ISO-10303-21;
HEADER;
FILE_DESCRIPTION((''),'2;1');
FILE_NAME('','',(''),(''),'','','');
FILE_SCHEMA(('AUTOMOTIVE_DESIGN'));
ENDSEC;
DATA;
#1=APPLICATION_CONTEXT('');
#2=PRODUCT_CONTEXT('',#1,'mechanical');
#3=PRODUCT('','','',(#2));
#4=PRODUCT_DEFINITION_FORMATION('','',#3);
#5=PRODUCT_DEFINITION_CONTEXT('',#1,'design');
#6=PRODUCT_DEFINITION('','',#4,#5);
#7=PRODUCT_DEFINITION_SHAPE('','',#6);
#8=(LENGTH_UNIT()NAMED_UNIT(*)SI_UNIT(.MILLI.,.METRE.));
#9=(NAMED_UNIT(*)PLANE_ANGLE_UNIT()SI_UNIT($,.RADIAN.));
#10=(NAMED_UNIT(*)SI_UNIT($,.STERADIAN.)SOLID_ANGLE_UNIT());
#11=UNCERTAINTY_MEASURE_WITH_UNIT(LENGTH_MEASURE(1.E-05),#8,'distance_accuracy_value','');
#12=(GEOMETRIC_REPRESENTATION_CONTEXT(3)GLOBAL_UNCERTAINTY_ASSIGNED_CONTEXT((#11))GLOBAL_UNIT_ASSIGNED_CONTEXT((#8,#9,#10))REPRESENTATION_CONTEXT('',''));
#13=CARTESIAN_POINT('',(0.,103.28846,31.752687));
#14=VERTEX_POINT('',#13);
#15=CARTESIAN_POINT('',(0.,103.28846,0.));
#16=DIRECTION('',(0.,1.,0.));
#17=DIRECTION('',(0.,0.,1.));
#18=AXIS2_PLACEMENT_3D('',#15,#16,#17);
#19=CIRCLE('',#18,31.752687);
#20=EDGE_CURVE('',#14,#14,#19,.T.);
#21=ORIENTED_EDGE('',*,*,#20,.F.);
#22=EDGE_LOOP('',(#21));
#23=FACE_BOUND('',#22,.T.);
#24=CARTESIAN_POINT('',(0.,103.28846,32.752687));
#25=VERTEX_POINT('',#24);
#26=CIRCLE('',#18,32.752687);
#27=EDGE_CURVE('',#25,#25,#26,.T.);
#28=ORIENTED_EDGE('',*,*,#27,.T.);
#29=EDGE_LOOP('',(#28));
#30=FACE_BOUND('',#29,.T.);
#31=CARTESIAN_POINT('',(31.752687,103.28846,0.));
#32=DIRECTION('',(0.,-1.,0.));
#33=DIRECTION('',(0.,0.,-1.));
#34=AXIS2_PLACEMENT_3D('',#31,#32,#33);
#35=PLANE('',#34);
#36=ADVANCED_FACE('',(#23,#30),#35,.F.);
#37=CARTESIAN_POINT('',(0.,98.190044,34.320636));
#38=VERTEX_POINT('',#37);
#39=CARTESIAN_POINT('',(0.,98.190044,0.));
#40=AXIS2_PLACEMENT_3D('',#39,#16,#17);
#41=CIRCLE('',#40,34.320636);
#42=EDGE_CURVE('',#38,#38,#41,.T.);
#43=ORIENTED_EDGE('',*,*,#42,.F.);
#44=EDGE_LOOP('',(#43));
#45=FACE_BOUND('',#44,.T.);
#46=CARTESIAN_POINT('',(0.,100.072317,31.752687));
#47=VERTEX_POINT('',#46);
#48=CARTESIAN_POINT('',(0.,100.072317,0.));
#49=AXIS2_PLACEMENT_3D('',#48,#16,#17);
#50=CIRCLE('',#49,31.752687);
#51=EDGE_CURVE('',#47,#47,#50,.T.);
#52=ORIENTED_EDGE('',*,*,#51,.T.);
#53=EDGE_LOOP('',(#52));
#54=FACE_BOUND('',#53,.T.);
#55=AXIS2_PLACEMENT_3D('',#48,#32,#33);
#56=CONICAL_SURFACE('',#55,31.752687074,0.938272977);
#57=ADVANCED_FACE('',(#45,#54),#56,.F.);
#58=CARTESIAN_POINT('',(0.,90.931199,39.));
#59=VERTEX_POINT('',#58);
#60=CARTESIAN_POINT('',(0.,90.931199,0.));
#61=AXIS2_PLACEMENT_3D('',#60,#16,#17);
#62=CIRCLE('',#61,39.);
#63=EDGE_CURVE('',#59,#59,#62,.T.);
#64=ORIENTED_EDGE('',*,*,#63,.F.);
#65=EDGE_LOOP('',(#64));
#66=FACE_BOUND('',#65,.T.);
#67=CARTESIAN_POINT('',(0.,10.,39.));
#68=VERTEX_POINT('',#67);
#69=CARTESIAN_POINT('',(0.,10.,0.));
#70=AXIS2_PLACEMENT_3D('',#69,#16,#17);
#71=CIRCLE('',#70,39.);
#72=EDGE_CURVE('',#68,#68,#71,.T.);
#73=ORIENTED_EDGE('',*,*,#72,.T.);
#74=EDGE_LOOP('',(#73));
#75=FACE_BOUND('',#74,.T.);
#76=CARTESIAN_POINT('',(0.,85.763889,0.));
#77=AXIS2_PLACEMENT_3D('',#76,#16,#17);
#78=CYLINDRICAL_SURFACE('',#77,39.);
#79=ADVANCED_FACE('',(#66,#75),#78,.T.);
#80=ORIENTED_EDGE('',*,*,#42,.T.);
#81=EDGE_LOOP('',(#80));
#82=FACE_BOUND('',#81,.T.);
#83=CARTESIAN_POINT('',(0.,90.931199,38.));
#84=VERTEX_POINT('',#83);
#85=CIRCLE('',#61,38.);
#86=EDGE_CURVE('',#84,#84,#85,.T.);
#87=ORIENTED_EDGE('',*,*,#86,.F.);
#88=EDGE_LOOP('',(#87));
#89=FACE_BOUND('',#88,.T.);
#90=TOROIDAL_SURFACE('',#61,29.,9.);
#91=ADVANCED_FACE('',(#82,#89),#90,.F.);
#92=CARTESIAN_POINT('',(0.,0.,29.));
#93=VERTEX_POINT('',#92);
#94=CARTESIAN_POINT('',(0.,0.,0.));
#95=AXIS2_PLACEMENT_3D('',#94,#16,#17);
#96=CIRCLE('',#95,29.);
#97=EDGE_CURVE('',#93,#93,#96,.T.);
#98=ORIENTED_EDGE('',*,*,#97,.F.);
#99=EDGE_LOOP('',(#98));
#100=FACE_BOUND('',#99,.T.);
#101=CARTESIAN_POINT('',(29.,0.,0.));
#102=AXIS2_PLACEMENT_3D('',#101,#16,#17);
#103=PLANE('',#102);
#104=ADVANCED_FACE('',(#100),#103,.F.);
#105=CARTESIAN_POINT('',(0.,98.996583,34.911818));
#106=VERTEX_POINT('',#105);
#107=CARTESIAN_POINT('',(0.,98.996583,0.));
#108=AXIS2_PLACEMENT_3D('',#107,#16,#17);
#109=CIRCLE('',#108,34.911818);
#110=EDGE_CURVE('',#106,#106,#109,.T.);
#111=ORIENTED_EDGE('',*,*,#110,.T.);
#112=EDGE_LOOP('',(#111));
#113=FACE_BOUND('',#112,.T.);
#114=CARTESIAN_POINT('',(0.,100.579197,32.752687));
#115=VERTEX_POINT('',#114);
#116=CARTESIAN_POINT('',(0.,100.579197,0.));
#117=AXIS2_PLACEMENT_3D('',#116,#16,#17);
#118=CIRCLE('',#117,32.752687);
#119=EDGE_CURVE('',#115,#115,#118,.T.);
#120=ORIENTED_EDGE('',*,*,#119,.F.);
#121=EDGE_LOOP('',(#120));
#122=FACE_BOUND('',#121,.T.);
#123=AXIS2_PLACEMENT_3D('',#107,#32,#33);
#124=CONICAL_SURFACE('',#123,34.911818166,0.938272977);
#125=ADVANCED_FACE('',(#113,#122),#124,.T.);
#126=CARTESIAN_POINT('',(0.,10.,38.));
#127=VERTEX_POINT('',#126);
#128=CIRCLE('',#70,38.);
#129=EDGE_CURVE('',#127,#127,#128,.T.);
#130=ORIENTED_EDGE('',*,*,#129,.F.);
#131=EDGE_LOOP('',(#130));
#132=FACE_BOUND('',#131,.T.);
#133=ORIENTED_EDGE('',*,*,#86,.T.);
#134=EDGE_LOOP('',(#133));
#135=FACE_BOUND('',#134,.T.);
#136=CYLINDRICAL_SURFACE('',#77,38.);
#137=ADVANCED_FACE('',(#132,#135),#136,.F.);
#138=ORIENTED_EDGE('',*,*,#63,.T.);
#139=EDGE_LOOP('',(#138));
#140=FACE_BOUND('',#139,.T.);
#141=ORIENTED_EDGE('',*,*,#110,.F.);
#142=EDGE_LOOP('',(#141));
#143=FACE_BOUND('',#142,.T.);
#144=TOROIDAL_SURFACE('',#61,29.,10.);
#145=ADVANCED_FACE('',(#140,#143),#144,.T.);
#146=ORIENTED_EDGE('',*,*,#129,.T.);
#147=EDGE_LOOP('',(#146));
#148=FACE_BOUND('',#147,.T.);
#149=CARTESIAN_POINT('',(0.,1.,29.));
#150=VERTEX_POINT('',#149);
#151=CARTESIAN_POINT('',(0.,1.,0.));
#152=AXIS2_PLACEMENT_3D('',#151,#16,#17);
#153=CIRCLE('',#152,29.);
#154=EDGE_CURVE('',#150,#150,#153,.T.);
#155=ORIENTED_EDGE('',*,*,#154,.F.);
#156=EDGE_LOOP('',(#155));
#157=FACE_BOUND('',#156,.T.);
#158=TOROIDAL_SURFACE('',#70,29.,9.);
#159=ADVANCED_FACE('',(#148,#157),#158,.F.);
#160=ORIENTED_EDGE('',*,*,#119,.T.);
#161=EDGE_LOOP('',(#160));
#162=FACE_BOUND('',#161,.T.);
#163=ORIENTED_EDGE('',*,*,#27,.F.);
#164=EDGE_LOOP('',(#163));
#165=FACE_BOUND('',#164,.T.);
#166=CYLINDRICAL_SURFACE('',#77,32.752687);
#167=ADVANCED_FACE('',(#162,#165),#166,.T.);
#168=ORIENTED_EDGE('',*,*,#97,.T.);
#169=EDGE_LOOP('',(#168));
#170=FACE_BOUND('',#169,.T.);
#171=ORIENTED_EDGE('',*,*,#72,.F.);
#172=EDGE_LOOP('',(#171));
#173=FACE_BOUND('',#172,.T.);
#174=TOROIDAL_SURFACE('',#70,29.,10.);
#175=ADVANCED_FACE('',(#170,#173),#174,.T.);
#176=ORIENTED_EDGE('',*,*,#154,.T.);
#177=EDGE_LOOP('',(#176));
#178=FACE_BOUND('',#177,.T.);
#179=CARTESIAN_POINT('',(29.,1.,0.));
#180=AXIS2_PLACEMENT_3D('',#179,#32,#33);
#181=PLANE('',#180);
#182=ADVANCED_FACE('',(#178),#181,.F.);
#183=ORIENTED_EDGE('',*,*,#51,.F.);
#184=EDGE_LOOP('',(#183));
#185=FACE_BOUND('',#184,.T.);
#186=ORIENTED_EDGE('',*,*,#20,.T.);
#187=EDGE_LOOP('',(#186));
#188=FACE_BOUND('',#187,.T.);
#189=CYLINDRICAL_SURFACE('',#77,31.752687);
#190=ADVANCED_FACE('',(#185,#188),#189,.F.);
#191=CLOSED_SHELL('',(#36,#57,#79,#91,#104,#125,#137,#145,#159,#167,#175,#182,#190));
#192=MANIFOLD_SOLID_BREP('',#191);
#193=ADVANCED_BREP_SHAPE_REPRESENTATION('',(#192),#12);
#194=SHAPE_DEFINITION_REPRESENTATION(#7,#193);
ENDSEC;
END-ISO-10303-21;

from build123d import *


with BuildPart() as part:
    # Sketch1 → Revolve1 (revolve)
    with BuildSketch(Plane.XY, mode=Mode.PRIVATE) as revolve1_sk:
        with BuildLine():
            Line((39, 90.931199499), (39, 10))
            ThreePointArc((39, 10), (36.071067812, 2.928932188), (29, 0))
            Line((29, 0), (0, 0))
            Line((0, 0), (0, 1))
            Line((0, 1), (29, 1))
            ThreePointArc((29, 1), (35.363961031, 3.636038969), (38, 10))
            Line((38, 10), (38, 90.931199499))
            ThreePointArc((38, 90.931199499), (37.027631255, 95.000245632), (34.320636349, 98.190044369))
            Line((34.320636349, 98.190044369), (31.752687074, 100.072316893))
            Line((31.752687074, 100.072316893), (31.752687074, 103.288460274))
            Line((31.752687074, 103.288460274), (32.752687074, 103.288460274))
            Line((32.752687074, 103.288460274), (32.752687074, 100.579196943))
            Line((32.752687074, 100.579196943), (34.911818166, 98.996582688))
            ThreePointArc((34.911818166, 98.996582688), (37.919590284, 95.452361869), (39, 90.931199499))
        make_face()
    revolve(revolve1_sk.sketch.rotate(Axis((0, 85.763888889, 0), (0, -1, 0)), 90), axis=Axis((0, 85.763888889, 0), (0, -1, 0)))


solid = part.part
